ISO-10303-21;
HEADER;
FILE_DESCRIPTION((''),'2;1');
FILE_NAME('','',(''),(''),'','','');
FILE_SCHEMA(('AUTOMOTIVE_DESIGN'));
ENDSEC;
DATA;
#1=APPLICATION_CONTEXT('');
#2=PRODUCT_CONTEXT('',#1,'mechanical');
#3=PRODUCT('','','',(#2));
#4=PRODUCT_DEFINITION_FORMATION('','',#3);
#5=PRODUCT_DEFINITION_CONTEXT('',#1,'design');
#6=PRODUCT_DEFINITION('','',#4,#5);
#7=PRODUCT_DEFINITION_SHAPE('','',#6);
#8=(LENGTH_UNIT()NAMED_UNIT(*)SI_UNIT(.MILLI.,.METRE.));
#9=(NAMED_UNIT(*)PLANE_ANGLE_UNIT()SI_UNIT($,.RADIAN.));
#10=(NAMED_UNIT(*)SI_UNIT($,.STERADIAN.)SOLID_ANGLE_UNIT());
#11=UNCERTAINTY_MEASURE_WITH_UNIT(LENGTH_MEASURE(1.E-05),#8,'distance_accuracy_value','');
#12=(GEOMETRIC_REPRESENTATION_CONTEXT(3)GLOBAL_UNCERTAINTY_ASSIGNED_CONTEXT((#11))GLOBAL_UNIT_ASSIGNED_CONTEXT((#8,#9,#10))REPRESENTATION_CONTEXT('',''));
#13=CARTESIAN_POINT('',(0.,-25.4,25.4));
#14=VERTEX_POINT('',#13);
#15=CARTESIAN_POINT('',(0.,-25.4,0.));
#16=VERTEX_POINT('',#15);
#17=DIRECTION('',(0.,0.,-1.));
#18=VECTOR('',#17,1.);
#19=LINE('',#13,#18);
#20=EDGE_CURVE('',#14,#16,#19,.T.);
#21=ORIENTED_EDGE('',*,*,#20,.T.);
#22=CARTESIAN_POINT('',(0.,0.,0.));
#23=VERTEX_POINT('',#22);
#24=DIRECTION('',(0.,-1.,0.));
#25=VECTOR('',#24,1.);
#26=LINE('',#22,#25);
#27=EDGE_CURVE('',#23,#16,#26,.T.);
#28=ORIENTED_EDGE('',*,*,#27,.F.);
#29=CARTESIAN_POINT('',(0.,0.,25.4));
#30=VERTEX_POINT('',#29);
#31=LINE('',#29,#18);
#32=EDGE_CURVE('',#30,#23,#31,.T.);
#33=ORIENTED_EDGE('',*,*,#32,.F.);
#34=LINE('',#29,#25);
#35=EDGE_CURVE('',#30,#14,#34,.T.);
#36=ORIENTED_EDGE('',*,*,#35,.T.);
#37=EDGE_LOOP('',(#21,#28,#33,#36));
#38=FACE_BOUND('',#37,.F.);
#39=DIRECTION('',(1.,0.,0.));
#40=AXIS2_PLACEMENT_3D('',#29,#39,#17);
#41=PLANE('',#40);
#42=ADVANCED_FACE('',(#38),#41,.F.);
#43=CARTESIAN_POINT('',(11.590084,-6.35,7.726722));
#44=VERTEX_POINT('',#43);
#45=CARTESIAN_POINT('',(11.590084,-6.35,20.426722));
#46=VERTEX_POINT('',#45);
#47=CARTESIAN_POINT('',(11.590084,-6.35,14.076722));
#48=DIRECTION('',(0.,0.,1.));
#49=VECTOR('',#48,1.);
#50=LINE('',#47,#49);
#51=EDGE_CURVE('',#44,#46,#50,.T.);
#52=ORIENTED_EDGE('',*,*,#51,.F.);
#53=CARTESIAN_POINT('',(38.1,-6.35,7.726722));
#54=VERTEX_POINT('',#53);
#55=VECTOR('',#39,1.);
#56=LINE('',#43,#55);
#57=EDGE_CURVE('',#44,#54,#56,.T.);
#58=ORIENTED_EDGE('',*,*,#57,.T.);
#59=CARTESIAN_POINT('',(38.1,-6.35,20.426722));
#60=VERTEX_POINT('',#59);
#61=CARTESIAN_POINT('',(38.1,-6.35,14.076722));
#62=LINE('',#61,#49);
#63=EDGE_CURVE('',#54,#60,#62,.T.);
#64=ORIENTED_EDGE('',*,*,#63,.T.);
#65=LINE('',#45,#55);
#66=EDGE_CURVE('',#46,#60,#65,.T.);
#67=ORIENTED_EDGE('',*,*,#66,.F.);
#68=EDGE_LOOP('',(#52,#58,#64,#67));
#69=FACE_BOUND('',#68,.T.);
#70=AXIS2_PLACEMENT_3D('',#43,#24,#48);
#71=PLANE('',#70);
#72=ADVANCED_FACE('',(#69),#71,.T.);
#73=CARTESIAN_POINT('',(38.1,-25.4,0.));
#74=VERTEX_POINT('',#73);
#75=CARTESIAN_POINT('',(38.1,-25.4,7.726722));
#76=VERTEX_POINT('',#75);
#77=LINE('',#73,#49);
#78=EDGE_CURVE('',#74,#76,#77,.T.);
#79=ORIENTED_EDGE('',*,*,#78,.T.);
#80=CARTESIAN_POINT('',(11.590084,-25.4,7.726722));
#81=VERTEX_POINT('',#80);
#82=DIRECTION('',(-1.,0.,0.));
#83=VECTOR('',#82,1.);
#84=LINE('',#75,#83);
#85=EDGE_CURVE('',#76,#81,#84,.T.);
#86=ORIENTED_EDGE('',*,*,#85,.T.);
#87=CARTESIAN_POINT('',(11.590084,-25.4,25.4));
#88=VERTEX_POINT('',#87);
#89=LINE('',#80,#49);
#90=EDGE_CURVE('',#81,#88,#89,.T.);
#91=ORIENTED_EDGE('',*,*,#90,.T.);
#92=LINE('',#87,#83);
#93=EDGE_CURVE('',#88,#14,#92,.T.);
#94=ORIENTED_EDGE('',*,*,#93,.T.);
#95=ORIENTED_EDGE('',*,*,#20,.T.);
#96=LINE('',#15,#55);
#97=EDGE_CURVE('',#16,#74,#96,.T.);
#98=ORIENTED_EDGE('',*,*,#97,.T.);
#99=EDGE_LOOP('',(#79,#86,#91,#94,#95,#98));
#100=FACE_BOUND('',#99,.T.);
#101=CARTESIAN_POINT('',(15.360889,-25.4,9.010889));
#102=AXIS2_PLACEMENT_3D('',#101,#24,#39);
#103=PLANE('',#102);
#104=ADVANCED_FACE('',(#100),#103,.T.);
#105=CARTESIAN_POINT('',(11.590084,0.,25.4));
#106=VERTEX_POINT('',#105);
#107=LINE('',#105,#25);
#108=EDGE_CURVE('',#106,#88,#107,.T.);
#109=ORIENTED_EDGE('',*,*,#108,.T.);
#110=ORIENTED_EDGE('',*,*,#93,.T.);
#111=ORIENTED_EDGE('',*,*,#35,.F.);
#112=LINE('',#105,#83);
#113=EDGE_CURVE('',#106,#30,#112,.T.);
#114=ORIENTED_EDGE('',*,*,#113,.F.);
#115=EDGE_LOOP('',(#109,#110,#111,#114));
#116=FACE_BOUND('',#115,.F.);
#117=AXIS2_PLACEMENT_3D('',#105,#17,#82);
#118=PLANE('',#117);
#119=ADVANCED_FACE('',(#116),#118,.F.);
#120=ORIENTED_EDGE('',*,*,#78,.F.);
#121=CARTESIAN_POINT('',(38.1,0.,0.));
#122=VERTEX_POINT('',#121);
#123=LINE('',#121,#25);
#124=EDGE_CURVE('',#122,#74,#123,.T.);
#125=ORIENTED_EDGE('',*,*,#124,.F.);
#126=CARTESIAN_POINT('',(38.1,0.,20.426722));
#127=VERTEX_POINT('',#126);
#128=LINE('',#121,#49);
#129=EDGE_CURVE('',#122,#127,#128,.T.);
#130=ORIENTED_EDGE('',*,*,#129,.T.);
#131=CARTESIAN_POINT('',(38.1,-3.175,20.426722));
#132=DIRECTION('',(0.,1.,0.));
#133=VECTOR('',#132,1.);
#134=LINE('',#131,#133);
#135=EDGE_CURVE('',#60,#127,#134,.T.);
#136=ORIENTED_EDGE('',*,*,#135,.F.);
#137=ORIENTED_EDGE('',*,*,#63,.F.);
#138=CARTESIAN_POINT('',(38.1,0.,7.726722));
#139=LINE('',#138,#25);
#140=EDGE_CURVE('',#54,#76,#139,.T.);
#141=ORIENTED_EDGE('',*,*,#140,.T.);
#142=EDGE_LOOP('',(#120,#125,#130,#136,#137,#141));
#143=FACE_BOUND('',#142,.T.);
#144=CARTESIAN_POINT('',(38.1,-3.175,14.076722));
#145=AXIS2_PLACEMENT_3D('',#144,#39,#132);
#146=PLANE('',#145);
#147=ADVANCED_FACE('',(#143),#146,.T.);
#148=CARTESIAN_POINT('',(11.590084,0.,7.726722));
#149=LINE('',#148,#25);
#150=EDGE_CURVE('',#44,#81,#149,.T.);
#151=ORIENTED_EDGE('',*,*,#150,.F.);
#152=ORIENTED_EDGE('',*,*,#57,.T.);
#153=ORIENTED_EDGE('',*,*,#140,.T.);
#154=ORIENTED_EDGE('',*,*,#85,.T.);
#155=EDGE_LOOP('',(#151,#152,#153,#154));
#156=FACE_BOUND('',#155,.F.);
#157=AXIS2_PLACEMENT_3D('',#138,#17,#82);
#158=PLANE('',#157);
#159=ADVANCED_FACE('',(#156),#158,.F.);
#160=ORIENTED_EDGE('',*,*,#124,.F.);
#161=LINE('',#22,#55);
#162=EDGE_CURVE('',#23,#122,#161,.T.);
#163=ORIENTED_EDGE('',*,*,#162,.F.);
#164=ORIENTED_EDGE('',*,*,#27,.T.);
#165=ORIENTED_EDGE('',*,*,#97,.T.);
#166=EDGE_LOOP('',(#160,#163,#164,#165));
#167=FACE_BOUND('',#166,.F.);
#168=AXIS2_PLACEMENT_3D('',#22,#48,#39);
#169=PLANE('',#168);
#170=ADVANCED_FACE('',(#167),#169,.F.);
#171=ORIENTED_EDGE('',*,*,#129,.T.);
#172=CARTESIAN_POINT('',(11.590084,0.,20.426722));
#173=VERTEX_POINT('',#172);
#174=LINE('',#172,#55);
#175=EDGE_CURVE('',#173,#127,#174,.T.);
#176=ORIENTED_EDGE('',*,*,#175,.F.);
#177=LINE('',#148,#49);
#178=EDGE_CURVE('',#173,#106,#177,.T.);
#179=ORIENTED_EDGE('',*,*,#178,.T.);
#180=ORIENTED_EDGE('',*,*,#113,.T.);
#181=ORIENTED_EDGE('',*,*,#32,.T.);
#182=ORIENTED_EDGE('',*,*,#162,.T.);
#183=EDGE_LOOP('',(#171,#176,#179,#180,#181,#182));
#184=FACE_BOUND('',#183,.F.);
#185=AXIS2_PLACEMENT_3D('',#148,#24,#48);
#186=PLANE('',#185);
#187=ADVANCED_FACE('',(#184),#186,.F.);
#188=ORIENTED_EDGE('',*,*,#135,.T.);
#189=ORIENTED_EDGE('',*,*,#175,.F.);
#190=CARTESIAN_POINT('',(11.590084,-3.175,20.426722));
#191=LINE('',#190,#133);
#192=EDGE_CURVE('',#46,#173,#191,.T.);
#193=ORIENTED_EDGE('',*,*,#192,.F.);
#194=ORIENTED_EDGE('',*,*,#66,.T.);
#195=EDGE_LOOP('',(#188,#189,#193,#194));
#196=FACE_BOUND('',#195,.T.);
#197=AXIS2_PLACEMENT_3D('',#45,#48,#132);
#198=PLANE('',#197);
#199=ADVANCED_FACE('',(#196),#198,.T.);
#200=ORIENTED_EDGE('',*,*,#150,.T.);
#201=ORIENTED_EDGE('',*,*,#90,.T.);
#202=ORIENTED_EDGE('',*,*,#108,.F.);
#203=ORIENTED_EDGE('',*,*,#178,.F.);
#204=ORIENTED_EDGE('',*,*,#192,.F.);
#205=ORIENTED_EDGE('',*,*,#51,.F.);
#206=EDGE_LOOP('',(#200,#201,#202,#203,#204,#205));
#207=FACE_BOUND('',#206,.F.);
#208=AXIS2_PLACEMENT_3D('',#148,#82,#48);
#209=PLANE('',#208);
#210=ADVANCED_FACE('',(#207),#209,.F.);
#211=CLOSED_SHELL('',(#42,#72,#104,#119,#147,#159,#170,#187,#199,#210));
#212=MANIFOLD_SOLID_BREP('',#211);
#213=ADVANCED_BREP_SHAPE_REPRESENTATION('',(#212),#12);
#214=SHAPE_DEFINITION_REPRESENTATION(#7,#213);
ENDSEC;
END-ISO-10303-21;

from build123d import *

# Parameters (mm, degrees)
F1_DEPTH = 25.4
F2_W     = 6.35
F2_H     = 12.7
F3_DEPTH = 26.509916


with BuildPart() as f1:
    # F0 (on Front) → F1 (new body)
    with BuildSketch(Plane.XZ):
        Polygon((0, 25.4), (0, 0), (38.1, 0), (38.1, 7.726722), (11.590084, 7.726722), (11.590084, 25.4), align=None)
    extrude(amount=F1_DEPTH)

    # F2 (on face) → F3 (join, through all)
    with BuildSketch(Plane.YZ.offset(11.590084)):
        with Locations((-3.175, 14.076722)):
            Rectangle(F2_W, F2_H)
    extrude(amount=F3_DEPTH)


solid = f1.part
